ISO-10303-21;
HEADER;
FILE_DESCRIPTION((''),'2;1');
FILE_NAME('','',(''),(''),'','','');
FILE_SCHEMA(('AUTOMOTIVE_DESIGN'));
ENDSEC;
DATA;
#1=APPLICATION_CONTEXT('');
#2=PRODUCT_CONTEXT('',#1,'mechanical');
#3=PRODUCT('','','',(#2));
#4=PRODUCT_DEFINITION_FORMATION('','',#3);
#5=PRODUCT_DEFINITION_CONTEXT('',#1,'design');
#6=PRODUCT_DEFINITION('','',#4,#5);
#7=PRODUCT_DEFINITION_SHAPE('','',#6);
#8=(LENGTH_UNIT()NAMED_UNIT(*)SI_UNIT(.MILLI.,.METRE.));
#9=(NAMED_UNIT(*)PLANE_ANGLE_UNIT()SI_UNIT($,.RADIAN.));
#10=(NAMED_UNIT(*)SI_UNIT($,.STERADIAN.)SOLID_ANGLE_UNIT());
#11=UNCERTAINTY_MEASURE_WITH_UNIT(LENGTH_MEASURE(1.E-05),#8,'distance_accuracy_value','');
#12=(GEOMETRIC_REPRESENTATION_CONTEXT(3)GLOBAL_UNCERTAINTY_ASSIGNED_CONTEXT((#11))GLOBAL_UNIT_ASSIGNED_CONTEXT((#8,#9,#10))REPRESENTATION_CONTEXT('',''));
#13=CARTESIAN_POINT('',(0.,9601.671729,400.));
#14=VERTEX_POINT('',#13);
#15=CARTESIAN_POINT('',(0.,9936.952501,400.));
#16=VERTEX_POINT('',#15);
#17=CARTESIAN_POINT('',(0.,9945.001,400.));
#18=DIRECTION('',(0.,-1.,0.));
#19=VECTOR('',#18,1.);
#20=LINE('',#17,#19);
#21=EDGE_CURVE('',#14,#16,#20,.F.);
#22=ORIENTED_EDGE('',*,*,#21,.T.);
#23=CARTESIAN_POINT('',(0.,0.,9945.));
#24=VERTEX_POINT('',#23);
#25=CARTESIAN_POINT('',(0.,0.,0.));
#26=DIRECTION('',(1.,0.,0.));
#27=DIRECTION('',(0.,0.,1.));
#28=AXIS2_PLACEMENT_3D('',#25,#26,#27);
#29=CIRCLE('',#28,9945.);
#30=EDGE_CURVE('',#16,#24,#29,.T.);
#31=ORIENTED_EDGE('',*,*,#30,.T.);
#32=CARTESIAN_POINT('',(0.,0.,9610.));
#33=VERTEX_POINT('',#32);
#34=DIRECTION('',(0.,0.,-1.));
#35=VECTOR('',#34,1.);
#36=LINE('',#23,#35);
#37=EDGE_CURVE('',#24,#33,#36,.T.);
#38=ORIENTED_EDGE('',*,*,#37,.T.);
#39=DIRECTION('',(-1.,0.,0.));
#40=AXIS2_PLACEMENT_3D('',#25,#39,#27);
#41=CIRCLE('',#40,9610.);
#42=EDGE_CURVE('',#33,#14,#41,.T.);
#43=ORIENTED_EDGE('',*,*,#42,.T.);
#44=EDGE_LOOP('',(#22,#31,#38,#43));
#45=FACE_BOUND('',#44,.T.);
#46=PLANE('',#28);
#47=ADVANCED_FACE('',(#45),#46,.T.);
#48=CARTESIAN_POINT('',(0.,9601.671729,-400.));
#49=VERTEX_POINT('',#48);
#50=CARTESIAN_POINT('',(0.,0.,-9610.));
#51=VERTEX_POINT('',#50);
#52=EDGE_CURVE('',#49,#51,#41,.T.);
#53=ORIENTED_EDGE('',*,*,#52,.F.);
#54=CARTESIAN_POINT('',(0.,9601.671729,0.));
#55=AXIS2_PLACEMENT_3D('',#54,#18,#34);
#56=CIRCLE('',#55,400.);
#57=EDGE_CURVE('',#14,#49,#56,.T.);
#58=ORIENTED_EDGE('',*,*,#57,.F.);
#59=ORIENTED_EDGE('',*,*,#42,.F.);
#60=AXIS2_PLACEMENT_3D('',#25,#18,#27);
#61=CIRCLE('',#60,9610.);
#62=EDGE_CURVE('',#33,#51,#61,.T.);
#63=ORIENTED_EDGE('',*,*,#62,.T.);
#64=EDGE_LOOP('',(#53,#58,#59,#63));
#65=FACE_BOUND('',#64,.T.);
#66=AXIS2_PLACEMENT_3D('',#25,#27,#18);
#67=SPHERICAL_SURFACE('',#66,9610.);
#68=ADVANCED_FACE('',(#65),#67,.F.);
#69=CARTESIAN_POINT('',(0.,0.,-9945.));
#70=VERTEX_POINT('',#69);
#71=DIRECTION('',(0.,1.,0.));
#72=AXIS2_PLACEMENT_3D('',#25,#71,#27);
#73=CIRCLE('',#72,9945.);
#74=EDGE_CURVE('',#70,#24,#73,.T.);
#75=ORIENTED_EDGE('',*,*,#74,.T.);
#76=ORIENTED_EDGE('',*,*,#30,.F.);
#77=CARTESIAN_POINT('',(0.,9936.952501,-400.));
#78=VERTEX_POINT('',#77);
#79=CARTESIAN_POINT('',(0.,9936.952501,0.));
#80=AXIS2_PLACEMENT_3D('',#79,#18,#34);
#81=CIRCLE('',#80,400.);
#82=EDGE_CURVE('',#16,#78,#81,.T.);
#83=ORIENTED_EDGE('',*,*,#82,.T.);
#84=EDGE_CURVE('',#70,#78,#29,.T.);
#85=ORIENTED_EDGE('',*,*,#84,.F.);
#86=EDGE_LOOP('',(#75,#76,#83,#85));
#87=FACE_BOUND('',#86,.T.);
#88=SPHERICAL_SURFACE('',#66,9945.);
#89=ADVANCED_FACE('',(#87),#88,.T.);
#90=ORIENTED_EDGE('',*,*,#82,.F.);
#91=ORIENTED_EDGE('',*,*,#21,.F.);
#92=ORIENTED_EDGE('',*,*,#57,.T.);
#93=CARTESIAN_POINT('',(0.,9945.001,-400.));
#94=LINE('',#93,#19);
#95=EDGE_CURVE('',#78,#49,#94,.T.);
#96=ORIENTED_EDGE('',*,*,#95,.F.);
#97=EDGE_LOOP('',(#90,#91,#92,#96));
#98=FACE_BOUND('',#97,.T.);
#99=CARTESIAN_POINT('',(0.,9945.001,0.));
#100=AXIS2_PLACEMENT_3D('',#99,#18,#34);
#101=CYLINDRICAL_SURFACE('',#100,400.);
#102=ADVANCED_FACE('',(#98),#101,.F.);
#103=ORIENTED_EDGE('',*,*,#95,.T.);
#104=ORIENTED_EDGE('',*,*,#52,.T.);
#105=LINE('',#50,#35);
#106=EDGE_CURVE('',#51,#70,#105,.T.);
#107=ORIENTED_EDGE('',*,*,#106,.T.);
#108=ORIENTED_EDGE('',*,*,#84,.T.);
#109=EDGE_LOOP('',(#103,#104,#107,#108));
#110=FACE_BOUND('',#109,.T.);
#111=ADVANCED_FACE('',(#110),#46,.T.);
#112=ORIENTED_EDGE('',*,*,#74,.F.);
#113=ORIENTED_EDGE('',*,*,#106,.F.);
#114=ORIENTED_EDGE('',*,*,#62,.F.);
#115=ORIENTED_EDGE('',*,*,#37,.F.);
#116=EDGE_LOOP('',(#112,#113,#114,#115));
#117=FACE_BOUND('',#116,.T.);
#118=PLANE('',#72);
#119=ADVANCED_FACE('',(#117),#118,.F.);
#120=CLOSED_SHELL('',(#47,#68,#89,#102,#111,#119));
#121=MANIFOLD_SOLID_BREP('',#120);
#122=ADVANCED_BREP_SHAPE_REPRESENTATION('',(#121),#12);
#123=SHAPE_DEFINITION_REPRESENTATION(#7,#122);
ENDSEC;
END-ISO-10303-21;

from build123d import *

# Parameters (mm, degrees)
REVOLVE1_ANGLE          = 90
CUT_EXTRUDE1_REACH      = 17227.245
CUT_EXTRUDE1_END_RADIUS = 9945
SKETCH3_R               = 400


with BuildPart() as part:
    # Sketch2 → Revolve1 (revolve)
    with BuildSketch(Plane(origin=(0, 0, 0), x_dir=(1, 0, 0), z_dir=(0, 1, 0))):
        with BuildLine():
            Line((0, -9945), (0, -9610))
            ThreePointArc((0, -9610), (-9610, 0), (0, 9610))
            Line((0, 9610), (0, 9945))
            ThreePointArc((0, 9945), (-9945, 0), (0, -9945))
        make_face()
    revolve(axis=Axis((0, 0, 3077.152585208), (0, 0, -1)), revolution_arc=REVOLVE1_ANGLE)

    # Cut-Extrude1: up to this sphere (the profile starts inside it)
    cut_extrude1_end = Location((0, 0, 0)) * Sphere(CUT_EXTRUDE1_END_RADIUS, mode=Mode.PRIVATE)
    # Sketch3 → Cut-Extrude1 (cut, up to the surface)
    with BuildSketch(Plane(origin=(0, 0, 0), x_dir=(1, 0, 0), z_dir=(0, 1, 0)), mode=Mode.PRIVATE) as cut_extrude1_sk1:
        Circle(SKETCH3_R)
    cut_extrude1_tool1 = extrude(cut_extrude1_sk1.sketch, amount=CUT_EXTRUDE1_REACH, mode=Mode.PRIVATE) & cut_extrude1_end
    add(cut_extrude1_tool1.solids().sort_by_distance((0, 0, 0))[0], mode=Mode.SUBTRACT)


solid = part.part
